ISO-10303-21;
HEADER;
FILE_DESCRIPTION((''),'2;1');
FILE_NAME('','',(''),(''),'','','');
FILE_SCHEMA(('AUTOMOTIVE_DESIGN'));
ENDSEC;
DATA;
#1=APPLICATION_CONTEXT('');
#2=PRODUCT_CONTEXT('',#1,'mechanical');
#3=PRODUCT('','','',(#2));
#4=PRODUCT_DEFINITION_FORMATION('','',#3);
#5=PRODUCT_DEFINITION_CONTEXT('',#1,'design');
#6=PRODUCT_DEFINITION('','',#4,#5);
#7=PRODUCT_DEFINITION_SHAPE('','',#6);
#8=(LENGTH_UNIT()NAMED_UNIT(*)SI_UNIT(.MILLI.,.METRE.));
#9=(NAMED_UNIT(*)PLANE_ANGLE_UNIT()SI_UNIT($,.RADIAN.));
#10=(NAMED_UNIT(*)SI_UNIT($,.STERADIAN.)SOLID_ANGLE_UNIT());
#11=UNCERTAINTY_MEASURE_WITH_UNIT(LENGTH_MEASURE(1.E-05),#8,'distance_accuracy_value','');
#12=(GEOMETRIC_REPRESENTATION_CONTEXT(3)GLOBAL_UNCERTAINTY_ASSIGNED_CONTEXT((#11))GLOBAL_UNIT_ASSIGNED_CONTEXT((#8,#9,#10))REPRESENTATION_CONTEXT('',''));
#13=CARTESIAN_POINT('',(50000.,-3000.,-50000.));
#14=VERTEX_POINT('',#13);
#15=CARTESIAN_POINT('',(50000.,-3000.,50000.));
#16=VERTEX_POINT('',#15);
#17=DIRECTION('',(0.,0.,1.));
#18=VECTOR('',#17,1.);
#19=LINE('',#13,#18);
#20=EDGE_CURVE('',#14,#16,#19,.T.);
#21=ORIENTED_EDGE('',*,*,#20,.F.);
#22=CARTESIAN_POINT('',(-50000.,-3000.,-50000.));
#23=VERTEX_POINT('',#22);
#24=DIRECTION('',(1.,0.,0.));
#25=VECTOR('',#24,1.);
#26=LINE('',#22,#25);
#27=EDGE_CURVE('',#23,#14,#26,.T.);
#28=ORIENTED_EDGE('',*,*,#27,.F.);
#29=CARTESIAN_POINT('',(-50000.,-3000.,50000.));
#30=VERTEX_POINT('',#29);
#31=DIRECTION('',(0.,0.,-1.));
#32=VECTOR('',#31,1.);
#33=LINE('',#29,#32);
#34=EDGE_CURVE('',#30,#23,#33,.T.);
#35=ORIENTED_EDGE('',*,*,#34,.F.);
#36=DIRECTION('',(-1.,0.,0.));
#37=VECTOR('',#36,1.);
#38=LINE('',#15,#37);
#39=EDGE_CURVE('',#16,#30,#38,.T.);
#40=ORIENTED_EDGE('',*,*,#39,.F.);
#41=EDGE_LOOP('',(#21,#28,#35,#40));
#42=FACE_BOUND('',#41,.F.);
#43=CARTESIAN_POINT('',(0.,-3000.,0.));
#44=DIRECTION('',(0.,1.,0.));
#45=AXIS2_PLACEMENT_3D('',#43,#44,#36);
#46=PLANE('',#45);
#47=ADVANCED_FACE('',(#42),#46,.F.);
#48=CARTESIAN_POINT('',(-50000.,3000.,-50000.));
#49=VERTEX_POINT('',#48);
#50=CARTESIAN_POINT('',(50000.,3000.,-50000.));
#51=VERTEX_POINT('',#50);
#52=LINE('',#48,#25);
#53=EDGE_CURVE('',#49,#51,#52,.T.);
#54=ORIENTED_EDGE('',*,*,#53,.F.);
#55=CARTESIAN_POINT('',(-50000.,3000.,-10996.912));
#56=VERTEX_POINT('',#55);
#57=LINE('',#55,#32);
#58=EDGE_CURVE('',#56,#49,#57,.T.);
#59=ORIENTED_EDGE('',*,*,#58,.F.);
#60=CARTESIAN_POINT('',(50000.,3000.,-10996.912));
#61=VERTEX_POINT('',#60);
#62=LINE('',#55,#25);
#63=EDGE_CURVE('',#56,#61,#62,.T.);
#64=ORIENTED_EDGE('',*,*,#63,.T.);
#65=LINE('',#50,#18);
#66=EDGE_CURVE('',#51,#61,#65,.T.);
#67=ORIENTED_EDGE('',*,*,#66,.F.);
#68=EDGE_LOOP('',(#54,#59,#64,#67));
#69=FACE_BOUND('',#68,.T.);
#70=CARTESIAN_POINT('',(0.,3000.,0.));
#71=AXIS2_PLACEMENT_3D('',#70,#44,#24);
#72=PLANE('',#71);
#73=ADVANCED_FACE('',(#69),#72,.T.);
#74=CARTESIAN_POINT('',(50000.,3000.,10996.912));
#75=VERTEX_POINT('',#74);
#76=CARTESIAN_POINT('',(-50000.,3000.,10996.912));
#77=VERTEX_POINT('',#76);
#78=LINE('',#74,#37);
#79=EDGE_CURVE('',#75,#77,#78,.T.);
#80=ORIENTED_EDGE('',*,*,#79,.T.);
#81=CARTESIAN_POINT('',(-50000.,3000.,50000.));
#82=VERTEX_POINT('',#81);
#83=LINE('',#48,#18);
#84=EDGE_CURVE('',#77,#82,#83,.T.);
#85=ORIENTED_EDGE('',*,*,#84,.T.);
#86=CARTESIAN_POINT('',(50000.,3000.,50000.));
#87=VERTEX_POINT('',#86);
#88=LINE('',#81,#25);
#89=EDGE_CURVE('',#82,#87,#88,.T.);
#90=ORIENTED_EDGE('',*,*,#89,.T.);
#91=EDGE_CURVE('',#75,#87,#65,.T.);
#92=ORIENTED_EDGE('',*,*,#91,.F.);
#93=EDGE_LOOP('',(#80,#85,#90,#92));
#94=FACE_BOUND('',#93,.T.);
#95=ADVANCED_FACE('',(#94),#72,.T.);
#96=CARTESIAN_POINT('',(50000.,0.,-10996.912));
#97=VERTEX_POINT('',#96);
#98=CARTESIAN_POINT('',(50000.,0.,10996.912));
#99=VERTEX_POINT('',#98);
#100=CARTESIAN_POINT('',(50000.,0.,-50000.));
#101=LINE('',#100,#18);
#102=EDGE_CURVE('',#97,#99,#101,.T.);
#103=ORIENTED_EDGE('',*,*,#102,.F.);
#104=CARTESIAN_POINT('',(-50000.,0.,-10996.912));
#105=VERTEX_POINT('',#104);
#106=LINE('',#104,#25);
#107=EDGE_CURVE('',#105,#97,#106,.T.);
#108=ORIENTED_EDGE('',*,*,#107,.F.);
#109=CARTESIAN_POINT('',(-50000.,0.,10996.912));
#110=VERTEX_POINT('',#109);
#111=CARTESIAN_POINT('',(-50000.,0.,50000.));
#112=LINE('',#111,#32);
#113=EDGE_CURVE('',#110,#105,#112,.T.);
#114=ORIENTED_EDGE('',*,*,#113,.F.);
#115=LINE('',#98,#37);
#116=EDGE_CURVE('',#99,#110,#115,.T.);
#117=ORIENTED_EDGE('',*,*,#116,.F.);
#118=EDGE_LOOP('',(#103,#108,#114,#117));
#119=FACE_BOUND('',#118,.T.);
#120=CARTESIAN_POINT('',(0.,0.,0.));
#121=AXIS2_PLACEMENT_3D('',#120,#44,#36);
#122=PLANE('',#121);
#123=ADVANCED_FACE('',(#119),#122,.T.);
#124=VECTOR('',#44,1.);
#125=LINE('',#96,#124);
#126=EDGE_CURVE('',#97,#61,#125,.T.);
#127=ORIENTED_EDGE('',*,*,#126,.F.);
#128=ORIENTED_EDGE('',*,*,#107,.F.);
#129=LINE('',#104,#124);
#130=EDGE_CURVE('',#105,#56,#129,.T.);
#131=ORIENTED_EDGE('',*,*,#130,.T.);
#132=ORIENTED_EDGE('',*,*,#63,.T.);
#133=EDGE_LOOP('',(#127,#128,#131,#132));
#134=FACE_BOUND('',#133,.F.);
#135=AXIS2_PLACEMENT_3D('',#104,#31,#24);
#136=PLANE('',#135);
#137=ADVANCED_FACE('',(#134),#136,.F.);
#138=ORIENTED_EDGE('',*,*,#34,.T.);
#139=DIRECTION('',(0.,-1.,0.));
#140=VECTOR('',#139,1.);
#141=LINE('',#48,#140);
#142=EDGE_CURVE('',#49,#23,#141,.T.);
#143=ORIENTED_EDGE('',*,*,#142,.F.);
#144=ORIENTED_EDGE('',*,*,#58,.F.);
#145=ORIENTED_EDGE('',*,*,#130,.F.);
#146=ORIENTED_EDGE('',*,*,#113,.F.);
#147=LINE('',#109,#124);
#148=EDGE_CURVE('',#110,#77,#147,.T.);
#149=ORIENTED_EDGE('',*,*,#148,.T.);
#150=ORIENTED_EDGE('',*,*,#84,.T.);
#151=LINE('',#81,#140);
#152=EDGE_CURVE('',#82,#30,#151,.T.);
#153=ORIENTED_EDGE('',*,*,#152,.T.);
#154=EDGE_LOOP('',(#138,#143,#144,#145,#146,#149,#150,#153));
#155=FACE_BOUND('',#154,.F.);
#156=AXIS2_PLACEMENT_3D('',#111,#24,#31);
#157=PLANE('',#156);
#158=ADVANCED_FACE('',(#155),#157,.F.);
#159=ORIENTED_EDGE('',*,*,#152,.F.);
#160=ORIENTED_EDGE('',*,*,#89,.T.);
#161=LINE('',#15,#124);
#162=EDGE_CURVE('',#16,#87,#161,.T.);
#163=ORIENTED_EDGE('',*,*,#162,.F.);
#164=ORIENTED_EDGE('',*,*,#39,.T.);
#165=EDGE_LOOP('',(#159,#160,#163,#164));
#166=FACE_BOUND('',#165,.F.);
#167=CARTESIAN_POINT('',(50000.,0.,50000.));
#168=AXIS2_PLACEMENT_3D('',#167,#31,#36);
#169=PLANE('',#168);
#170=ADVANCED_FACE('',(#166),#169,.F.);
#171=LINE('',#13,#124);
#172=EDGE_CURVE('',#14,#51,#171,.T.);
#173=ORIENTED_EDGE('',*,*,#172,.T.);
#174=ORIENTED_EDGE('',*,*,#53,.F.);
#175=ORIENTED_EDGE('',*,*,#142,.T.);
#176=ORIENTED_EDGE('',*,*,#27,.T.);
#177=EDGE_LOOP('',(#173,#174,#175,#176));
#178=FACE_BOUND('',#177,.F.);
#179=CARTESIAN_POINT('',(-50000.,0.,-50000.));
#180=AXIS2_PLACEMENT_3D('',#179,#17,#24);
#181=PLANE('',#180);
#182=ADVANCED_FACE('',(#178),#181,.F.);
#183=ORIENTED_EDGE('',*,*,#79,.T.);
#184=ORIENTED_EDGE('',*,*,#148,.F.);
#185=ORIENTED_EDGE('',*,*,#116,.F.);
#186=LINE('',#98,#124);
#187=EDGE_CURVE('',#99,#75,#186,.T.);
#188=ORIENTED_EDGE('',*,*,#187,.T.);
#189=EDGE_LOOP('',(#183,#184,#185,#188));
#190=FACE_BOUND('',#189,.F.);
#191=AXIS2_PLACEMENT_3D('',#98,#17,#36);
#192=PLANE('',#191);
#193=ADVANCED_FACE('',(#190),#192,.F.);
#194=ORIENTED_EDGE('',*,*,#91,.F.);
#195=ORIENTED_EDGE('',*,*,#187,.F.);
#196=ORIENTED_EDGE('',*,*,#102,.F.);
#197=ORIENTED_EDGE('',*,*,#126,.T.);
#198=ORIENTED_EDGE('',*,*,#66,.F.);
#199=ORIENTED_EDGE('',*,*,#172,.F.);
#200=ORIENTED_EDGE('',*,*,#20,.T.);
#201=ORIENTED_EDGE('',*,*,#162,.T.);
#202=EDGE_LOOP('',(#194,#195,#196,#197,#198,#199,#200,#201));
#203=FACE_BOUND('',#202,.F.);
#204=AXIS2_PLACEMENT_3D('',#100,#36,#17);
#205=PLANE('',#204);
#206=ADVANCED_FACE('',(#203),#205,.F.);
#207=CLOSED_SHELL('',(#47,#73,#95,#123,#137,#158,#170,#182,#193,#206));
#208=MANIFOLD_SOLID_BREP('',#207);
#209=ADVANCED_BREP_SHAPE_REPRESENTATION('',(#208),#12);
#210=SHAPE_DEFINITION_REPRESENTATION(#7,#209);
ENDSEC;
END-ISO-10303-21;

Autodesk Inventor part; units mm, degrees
ref_plane "YZ Plane" through (0, 0, 0) normal (1, 0, 0) x (0, 1, 0)
ref_plane "XZ Plane" through (0, 0, 0) normal (0, 1, 0) x (-1, 0, 0)
ref_plane "XY Plane" through (0, 0, 0) normal (0, 0, 1) x (1, 0, 0)
sketch "Sketch1" plane through (0, 0, 0) normal (0, 1, 0) x (-1, 0, 0)
  line L0 (-50000, 50000) -> (50000, 50000)
  line L1 (50000, 50000) -> (50000, -50000)
  line L2 (50000, -50000) -> (-50000, -50000)
  line L3 (-50000, -50000) -> (-50000, 50000)
  line L4 (-50000, 50000) -> (50000, -50000) construction
  line L5 (50000, 50000) -> (-50000, -50000) construction
  point P0 (0, 0)
  dimension "d0" = 100000
  dimension "d1" = 100000
extrude "Extrusion1" add sketch "Sketch1" against normal blind 3000
sketch "Sketch2" plane through (0, 0, 0) normal (0, 1, 0) x (1, 0, 0)
  line L0 (-50000, 50000) -> (50000, 50000) projected
  line L1 (50000, 50000) -> (50000, -50000) projected
  arc A0 (-50000, 18335.9343) -> (50000, 18335.9343) centre (0, 250000) ccw
  line L2 (50000, 50000) -> (-50000, 50000) projected
  line L3 (-50000, 50000) -> (-50000, -50000) projected
  line L4 (-50000, -50000) -> (50000, -50000) projected
  line L5 (50000, -50000) -> (50000, 50000) projected
  arc A1 (-50000, -10996.912) -> (50000, -10996.912) centre (0, 250000) ccw
  point P0 (0, 0)
  point P1 (50000, -10996.912)
  dimension "d6" = 200000
extrude "Extrusion2" add sketch "Sketch2" along normal blind 3000 contours L0 L1 A0 L3 | A1 L1 L4 L3
sketch "Sketch3" plane through (0, 0, 0) normal (0, 1, 0) x (1, 0, 0)
  arc A0 (-50000, -10996.912) -> (50000, -10996.912) centre (0, 250000) ccw projected
  line L0 (50000, -10996.912) -> (50000, 18335.9343) projected
  arc A1 (-50000, 18335.9343) -> (50000, 18335.9343) centre (0, 250000) ccw projected
  line L1 (-50000, 18335.9343) -> (-50000, -10996.912) projected
  line L2 (-50000, 10996.912) -> (50000, 10996.912)
  line L3 (50000, 10996.912) -> (50000, -10996.912)
  line L4 (50000, -10996.912) -> (-50000, -10996.912)
  line L5 (-50000, -10996.912) -> (-50000, 10996.912)
  line L6 (-50000, 10996.912) -> (50000, -10996.912) construction
  line L7 (50000, 10996.912) -> (-50000, -10996.912) construction
  point P0 (0, 0)
extrude "Extrusion3" add sketch "Sketch3" along normal up to surface (3000 mm away) contours L4 A0 | L1 A1 L0 L2
properties part number "big_curve"
